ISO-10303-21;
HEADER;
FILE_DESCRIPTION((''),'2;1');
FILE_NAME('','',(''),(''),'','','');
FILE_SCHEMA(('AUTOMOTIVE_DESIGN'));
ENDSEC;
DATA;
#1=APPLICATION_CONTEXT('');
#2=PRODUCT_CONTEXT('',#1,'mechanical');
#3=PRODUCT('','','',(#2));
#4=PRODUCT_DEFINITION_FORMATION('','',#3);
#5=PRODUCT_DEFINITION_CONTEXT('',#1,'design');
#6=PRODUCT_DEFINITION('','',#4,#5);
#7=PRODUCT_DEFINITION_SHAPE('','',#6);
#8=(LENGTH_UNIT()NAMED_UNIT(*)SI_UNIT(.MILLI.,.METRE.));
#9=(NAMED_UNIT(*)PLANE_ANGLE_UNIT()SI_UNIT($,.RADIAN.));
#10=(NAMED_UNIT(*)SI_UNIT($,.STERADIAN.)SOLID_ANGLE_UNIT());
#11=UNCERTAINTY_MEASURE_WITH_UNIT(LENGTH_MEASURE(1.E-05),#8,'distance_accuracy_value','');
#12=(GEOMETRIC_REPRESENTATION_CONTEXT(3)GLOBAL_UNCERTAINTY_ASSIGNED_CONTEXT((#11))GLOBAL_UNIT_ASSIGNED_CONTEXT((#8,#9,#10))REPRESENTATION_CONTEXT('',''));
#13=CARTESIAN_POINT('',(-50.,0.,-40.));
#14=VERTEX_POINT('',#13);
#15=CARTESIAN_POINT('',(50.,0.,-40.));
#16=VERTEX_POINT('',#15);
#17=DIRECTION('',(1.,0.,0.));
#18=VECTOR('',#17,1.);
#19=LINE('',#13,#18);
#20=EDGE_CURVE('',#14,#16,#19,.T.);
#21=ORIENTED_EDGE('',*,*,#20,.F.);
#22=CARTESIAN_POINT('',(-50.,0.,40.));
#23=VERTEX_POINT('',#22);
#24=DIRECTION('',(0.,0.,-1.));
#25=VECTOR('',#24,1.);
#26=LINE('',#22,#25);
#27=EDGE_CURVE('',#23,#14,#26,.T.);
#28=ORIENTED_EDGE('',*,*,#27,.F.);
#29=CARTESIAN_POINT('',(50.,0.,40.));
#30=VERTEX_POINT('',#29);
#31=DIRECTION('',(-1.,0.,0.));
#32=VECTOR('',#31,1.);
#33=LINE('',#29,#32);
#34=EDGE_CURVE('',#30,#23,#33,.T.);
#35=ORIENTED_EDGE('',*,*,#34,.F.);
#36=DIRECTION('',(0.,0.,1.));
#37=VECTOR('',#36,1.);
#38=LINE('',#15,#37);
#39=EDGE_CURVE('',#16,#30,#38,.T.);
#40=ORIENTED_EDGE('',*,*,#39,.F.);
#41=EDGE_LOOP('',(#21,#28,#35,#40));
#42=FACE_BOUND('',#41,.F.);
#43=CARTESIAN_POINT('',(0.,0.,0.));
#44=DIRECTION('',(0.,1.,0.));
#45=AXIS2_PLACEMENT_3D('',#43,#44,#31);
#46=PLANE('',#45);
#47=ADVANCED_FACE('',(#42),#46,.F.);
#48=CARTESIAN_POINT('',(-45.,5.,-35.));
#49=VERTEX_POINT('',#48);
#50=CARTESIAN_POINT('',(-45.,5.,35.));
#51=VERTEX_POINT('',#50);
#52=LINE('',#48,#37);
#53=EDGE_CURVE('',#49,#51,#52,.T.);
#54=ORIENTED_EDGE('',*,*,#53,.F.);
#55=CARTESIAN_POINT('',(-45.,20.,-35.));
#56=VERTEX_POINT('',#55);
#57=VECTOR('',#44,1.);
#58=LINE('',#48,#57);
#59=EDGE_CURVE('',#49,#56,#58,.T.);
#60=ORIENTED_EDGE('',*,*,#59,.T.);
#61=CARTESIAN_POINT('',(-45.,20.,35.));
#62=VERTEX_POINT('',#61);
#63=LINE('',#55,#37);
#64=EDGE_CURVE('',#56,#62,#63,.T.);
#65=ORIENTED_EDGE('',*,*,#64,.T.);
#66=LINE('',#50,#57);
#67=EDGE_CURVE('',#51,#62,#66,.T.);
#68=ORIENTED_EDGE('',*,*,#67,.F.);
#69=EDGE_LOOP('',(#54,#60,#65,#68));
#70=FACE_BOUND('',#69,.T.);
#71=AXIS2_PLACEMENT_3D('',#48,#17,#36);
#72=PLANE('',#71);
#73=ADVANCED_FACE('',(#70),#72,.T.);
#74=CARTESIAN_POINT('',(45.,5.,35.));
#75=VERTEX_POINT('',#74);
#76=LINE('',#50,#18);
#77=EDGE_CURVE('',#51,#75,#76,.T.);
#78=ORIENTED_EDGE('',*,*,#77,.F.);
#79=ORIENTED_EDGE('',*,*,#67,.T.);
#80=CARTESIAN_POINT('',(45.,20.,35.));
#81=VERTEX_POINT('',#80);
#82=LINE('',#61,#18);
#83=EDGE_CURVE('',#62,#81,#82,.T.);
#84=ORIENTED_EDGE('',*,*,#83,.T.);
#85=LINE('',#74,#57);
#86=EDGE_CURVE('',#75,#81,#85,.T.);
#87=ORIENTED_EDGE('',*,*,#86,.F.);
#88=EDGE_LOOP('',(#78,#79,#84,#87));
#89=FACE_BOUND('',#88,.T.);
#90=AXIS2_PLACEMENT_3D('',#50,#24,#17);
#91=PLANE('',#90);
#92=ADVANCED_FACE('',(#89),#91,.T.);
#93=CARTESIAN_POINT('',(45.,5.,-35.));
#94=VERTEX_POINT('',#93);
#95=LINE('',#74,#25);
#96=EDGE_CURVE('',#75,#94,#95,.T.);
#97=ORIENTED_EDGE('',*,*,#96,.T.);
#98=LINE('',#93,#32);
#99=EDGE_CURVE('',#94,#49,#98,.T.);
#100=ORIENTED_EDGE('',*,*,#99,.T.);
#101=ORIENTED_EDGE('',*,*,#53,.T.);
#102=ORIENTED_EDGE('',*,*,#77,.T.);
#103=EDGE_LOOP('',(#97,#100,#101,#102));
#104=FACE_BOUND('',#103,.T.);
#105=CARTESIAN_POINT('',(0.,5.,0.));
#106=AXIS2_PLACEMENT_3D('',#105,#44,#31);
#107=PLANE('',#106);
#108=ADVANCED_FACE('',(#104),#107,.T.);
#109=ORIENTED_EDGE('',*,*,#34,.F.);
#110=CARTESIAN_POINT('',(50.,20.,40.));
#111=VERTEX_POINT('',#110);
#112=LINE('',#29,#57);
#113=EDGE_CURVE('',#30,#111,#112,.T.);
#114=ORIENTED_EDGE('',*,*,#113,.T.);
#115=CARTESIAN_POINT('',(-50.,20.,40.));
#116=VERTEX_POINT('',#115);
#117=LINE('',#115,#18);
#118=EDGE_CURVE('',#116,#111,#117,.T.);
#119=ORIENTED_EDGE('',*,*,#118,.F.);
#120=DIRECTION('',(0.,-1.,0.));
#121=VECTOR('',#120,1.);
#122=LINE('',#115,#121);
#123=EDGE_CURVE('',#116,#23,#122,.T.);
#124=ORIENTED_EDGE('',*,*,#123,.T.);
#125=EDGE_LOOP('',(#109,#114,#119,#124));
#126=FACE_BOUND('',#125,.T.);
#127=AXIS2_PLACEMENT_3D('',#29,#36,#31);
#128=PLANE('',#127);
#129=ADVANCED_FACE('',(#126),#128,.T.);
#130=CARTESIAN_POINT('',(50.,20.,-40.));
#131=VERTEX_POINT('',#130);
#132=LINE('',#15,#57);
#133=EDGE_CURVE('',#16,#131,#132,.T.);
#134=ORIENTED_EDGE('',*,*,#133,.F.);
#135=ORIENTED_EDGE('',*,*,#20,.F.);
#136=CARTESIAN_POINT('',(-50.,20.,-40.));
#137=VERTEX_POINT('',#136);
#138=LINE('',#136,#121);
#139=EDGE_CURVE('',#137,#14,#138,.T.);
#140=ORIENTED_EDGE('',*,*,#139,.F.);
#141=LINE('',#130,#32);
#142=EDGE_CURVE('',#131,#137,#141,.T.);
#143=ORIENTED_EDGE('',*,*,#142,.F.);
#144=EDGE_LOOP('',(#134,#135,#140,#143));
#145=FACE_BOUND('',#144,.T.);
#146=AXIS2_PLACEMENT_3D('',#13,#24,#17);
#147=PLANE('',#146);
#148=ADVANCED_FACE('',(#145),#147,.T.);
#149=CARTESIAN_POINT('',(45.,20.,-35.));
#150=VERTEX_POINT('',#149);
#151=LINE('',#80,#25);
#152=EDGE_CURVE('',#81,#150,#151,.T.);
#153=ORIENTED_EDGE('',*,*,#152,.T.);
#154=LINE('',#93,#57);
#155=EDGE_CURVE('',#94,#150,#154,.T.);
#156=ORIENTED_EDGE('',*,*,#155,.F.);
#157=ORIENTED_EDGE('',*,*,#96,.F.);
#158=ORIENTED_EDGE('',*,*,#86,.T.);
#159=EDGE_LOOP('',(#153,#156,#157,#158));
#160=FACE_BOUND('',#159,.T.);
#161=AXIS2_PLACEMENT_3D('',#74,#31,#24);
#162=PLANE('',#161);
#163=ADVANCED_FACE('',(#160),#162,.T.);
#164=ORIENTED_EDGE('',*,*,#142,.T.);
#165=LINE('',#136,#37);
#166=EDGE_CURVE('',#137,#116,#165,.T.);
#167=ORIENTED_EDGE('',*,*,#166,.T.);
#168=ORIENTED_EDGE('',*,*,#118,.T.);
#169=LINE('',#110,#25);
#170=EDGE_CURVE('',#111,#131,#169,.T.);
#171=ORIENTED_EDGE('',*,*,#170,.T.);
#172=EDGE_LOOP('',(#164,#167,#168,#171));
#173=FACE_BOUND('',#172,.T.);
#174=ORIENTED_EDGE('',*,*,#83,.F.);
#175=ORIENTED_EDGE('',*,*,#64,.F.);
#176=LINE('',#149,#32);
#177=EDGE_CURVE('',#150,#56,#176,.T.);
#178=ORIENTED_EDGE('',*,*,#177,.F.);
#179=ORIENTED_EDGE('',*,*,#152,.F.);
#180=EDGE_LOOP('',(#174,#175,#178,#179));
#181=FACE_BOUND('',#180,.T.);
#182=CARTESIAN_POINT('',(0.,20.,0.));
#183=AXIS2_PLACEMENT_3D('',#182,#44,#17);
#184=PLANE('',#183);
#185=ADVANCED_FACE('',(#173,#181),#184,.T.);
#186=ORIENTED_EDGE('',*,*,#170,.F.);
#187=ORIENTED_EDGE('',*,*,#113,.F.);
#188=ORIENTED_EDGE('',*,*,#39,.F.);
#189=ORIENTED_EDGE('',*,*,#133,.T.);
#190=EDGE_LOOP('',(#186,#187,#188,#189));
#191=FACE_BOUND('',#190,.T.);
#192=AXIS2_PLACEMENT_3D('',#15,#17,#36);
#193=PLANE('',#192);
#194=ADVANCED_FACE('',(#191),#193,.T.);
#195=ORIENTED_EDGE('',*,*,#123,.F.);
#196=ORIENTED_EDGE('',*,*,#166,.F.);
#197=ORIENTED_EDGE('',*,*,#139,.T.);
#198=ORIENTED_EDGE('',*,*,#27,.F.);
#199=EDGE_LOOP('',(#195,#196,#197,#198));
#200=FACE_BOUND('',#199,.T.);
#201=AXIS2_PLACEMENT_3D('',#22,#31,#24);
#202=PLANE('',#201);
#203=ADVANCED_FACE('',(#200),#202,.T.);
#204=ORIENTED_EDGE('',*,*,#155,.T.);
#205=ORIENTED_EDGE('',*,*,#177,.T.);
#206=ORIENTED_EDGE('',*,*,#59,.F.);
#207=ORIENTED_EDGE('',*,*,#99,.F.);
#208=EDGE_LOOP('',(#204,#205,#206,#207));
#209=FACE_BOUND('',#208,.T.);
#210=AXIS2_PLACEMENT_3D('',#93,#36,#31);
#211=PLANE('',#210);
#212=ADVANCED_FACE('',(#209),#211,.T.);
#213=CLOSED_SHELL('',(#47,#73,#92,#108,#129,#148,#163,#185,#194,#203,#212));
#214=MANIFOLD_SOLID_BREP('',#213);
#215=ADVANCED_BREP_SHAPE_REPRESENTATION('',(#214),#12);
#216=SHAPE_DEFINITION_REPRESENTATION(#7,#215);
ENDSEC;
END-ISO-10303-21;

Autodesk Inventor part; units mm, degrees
ref_plane "YZ Plane" through (0, 0, 0) normal (1, 0, 0) x (0, 1, 0)
ref_plane "XZ Plane" through (0, 0, 0) normal (0, 1, 0) x (-1, 0, 0)
ref_plane "XY Plane" through (0, 0, 0) normal (0, 0, 1) x (1, 0, 0)
sketch "Skizze1" plane through (0, 0, 0) normal (0, 1, 0) x (-1, 0, 0)
  line L0 (-50, 40) -> (50, 40)
  line L1 (50, 40) -> (50, -40)
  line L2 (50, -40) -> (-50, -40)
  line L3 (-50, -40) -> (-50, 40)
  line L4 (-50, 40) -> (50, -40) construction
  line L5 (50, 40) -> (-50, -40) construction
  point P0 (0, 0)
  dimension "d0" = 100
  dimension "d1" = 80
extrude "Extrusion1" add sketch "Skizze1" along normal blind 5
sketch "Skizze2" plane through (0, 5, 0) normal (0, 1, 0) x (1, 0, 0)
  line L0 (-50, -40) -> (50, -40) projected
  line L1 (50, -40) -> (50, 40) projected
  line L2 (50, 40) -> (-50, 40) projected
  line L3 (-50, 40) -> (-50, -40) projected
  line L4 (-45, -35) -> (45, -35)
  line L5 (45, -35) -> (45, 35)
  line L6 (45, 35) -> (-45, 35)
  line L7 (-45, 35) -> (-45, -35)
  line L8 (-45, -35) -> (45, 35) construction
  line L9 (45, -35) -> (-45, 35) construction
  point P0 (0, 0)
  dimension "d4" = 90
  dimension "d5" = 70
extrude "Extrusion2" add sketch "Skizze2" along normal blind 15
properties part number "top"
